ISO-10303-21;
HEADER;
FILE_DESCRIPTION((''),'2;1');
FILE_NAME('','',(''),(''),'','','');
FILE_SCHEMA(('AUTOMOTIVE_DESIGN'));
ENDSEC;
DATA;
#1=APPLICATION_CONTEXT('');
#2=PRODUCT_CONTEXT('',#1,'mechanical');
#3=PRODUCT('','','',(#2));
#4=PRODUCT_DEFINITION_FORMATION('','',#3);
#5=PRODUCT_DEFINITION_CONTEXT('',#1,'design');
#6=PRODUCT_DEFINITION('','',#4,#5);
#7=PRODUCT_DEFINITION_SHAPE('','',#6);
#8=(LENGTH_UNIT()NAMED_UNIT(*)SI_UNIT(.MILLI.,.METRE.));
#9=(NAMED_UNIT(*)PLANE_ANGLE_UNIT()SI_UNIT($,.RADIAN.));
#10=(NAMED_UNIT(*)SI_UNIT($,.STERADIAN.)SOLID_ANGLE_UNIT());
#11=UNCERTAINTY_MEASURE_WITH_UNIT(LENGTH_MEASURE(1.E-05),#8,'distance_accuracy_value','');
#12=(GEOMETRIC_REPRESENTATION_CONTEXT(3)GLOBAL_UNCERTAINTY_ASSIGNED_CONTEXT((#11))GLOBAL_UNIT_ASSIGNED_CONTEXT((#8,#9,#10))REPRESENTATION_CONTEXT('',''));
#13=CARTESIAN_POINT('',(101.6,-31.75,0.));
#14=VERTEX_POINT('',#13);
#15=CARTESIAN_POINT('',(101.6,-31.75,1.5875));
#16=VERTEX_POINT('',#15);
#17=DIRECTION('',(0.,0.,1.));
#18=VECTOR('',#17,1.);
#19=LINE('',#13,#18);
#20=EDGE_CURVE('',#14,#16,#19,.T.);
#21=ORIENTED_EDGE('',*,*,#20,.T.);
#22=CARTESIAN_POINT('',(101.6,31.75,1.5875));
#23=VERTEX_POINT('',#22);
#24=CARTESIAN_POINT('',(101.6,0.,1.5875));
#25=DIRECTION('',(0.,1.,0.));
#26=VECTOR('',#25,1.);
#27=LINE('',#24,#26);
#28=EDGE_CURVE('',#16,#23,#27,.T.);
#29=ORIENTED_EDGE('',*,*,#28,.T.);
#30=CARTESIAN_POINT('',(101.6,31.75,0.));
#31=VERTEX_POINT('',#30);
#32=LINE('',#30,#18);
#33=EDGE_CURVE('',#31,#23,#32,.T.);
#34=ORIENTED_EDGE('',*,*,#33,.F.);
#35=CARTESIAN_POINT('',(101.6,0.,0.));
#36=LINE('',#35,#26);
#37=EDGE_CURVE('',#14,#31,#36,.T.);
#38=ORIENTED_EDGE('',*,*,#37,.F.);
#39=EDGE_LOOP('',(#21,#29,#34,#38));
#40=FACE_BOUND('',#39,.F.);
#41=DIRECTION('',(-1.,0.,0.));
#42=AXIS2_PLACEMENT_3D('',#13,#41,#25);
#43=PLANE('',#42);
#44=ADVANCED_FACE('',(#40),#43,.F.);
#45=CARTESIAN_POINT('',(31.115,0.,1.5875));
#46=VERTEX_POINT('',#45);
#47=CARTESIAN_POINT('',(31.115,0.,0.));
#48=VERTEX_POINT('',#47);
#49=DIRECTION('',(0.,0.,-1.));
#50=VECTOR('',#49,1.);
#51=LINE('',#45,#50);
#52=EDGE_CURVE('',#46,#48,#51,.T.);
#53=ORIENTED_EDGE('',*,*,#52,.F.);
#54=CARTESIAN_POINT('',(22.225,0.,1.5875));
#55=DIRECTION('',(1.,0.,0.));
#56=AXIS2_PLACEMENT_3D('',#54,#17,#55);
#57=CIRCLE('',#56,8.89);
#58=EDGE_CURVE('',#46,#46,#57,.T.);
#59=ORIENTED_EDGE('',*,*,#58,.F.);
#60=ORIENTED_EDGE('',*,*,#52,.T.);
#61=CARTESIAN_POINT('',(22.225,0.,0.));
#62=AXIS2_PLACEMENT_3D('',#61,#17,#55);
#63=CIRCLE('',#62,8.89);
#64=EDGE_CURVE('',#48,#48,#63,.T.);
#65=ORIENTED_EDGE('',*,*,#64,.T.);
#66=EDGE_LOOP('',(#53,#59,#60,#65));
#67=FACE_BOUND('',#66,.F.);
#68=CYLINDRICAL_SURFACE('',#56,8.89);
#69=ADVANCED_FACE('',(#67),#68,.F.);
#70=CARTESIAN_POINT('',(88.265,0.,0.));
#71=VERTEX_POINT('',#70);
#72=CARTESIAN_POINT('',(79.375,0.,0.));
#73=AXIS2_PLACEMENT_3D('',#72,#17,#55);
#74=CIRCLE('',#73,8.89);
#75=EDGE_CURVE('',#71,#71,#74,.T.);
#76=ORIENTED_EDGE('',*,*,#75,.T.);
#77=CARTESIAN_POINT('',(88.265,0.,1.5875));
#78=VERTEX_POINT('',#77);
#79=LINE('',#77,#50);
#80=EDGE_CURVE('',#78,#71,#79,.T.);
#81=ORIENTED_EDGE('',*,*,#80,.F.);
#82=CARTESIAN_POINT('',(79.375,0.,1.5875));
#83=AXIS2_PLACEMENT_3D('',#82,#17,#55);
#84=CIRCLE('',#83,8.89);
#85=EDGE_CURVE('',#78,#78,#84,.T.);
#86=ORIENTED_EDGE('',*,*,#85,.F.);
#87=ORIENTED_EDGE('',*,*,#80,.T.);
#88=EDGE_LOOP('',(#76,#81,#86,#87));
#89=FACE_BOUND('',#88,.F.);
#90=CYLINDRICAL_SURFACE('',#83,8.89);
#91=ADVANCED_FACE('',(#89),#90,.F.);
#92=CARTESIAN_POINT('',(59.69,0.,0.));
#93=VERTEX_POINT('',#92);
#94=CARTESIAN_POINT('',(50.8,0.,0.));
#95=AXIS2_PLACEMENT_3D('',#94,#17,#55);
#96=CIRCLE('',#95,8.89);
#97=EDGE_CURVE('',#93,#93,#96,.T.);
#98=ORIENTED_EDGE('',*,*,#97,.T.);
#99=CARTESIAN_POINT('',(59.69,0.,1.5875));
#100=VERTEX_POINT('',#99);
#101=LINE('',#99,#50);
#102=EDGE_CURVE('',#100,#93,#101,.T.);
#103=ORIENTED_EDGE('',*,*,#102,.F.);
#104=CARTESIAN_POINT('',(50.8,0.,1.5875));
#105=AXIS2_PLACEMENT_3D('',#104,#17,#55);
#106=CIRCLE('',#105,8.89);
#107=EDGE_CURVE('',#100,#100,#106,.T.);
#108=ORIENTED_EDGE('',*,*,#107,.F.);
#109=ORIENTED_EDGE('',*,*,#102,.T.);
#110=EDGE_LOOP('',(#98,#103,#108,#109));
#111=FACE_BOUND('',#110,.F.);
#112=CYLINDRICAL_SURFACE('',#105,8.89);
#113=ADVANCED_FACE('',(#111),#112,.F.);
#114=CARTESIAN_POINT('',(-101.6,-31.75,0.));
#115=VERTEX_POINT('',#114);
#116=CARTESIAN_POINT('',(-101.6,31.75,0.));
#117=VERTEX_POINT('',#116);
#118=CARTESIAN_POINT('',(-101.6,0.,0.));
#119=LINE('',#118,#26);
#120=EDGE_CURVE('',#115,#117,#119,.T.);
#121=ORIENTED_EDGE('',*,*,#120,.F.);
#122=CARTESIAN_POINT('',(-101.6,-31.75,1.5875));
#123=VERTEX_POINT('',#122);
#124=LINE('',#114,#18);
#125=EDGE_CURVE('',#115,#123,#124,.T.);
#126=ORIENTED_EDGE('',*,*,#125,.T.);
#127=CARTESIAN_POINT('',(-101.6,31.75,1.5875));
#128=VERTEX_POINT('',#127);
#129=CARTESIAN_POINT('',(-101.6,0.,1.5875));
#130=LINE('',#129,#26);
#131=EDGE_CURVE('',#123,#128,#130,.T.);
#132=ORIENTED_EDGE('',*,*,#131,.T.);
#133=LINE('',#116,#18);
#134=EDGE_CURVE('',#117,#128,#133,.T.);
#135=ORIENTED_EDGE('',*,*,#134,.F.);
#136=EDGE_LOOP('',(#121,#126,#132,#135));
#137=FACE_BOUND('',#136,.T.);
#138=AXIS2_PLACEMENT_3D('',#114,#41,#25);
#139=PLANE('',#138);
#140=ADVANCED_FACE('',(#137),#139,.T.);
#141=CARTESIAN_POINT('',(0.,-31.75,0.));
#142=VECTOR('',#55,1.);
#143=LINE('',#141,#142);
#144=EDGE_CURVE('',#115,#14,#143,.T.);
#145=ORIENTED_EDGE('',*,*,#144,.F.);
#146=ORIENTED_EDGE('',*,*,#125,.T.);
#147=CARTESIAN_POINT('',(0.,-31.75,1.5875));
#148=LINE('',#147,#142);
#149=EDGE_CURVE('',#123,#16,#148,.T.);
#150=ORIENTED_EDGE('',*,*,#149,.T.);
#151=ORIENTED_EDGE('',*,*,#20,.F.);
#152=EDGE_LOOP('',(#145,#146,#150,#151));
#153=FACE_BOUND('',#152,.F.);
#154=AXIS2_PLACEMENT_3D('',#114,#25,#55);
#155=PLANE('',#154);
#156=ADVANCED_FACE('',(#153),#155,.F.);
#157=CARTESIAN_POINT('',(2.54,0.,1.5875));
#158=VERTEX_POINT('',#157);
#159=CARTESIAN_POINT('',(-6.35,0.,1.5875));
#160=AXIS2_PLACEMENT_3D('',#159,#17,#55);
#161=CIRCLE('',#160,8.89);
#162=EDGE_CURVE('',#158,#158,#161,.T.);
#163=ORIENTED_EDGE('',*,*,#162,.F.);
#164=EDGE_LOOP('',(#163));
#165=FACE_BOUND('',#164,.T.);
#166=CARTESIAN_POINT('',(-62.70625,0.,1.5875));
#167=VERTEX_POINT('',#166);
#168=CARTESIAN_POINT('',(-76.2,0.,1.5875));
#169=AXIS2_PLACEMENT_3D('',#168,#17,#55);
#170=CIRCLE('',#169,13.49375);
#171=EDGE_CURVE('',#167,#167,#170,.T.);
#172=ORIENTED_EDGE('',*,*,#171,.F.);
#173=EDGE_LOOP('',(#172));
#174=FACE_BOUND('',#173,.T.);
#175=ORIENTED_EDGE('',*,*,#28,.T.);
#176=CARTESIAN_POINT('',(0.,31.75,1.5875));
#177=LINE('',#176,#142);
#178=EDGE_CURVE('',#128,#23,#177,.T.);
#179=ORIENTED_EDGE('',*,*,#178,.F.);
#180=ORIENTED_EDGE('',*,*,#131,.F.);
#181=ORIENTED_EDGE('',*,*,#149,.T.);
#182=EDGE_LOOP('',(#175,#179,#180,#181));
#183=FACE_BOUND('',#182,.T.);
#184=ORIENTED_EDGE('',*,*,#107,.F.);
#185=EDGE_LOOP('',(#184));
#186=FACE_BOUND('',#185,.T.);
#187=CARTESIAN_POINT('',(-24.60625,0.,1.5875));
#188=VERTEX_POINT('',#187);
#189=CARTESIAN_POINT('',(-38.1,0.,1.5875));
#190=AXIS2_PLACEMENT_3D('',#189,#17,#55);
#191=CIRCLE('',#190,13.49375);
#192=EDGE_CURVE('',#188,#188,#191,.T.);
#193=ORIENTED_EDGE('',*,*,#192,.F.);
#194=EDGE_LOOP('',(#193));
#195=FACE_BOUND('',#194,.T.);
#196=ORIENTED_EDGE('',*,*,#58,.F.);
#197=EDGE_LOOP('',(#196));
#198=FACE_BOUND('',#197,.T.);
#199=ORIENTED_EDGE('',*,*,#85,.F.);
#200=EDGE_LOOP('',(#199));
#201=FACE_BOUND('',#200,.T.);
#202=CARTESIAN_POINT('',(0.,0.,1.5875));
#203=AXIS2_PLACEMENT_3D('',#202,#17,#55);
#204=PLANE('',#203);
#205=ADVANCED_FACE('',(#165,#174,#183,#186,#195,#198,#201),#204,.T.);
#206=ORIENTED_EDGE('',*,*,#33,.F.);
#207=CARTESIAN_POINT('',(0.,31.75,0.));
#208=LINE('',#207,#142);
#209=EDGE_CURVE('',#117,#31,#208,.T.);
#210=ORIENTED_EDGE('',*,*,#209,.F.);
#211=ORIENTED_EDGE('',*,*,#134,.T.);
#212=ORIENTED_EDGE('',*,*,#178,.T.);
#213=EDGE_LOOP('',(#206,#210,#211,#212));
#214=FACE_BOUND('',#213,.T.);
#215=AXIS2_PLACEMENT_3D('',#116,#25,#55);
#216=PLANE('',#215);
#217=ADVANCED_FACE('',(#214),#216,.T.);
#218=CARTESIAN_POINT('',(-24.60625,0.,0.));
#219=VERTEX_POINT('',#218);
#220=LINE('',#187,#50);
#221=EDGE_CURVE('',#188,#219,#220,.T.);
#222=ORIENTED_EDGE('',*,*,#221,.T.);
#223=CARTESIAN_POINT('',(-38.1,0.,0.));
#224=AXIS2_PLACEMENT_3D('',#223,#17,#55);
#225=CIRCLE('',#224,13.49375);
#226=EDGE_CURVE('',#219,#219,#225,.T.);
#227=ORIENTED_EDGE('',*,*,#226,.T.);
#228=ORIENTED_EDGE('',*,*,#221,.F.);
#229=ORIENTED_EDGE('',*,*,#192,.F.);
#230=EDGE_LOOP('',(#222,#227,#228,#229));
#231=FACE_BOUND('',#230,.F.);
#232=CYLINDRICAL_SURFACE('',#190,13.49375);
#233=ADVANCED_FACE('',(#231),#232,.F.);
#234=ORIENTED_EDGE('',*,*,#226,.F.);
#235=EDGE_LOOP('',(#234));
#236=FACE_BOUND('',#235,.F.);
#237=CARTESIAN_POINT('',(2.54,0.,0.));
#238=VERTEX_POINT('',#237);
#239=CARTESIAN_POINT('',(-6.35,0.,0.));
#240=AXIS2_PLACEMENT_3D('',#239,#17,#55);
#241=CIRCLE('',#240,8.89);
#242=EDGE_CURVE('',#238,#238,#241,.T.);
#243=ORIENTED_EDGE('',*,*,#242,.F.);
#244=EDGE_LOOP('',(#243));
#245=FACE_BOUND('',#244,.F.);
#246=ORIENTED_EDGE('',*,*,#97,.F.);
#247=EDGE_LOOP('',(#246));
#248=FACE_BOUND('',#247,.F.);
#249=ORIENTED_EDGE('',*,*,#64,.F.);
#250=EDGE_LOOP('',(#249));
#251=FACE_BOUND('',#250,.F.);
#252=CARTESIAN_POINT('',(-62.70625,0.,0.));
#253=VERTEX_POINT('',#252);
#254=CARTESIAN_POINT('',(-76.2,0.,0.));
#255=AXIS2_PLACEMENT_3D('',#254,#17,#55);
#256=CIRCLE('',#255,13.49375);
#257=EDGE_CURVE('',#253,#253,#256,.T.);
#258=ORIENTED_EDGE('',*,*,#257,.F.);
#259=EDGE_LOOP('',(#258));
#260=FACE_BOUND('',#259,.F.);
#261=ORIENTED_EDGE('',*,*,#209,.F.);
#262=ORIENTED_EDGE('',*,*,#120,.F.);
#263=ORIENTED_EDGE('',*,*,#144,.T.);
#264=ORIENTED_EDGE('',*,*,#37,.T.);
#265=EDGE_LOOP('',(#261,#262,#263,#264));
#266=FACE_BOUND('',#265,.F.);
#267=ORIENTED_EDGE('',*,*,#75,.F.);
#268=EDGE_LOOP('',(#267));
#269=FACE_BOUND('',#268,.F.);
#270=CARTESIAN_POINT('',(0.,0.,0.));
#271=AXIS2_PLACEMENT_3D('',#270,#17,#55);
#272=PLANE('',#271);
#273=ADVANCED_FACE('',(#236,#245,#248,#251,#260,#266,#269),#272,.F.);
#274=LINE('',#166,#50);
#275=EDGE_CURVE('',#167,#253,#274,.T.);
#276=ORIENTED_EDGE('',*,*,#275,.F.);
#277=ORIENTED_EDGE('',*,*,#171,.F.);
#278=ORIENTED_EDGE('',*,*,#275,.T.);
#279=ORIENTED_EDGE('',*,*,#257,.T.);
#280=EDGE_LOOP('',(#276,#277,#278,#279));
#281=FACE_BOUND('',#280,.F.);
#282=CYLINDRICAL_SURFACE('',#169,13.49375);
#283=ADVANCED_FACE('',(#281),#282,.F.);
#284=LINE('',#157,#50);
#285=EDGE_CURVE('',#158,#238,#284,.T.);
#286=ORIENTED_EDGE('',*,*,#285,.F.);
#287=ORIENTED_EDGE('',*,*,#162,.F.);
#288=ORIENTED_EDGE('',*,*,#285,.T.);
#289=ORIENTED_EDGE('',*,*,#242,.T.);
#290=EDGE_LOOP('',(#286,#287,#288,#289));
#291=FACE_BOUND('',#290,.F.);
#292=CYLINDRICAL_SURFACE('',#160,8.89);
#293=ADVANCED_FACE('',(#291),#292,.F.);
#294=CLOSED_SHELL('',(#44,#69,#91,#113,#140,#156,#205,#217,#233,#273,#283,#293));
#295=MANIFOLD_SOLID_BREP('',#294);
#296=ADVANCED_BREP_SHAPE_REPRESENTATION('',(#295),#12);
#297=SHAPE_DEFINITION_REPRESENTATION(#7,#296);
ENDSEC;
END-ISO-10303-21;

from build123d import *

# Parameters (mm, degrees)
F0_W     = 203.2
F0_H     = 63.5
F1_DEPTH = 1.5875
F2_R     = 13.49375
F2_R_2   = 8.89
F3_DEPTH = 25.4


with BuildPart() as f1:
    # F0 (on Top) → F1 (new body)
    with BuildSketch(Plane.XY):
        Rectangle(F0_W, F0_H)
    extrude(amount=F1_DEPTH)

    # F2 (on face) → F3 (cut)
    with BuildSketch(Plane.XY.offset(1.5875)):
        with Locations((-76.2, 0)):
            Circle(F2_R)
        with Locations((-38.1, 0)):
            Circle(F2_R)
        with Locations((-6.35, 0)):
            Circle(F2_R_2)
        with Locations((22.225, 0)):
            Circle(F2_R_2)
        with Locations((50.8, 0)):
            Circle(F2_R_2)
        with Locations((79.375, 0)):
            Circle(F2_R_2)
    extrude(amount=-F3_DEPTH, mode=Mode.SUBTRACT)


solid = f1.part
